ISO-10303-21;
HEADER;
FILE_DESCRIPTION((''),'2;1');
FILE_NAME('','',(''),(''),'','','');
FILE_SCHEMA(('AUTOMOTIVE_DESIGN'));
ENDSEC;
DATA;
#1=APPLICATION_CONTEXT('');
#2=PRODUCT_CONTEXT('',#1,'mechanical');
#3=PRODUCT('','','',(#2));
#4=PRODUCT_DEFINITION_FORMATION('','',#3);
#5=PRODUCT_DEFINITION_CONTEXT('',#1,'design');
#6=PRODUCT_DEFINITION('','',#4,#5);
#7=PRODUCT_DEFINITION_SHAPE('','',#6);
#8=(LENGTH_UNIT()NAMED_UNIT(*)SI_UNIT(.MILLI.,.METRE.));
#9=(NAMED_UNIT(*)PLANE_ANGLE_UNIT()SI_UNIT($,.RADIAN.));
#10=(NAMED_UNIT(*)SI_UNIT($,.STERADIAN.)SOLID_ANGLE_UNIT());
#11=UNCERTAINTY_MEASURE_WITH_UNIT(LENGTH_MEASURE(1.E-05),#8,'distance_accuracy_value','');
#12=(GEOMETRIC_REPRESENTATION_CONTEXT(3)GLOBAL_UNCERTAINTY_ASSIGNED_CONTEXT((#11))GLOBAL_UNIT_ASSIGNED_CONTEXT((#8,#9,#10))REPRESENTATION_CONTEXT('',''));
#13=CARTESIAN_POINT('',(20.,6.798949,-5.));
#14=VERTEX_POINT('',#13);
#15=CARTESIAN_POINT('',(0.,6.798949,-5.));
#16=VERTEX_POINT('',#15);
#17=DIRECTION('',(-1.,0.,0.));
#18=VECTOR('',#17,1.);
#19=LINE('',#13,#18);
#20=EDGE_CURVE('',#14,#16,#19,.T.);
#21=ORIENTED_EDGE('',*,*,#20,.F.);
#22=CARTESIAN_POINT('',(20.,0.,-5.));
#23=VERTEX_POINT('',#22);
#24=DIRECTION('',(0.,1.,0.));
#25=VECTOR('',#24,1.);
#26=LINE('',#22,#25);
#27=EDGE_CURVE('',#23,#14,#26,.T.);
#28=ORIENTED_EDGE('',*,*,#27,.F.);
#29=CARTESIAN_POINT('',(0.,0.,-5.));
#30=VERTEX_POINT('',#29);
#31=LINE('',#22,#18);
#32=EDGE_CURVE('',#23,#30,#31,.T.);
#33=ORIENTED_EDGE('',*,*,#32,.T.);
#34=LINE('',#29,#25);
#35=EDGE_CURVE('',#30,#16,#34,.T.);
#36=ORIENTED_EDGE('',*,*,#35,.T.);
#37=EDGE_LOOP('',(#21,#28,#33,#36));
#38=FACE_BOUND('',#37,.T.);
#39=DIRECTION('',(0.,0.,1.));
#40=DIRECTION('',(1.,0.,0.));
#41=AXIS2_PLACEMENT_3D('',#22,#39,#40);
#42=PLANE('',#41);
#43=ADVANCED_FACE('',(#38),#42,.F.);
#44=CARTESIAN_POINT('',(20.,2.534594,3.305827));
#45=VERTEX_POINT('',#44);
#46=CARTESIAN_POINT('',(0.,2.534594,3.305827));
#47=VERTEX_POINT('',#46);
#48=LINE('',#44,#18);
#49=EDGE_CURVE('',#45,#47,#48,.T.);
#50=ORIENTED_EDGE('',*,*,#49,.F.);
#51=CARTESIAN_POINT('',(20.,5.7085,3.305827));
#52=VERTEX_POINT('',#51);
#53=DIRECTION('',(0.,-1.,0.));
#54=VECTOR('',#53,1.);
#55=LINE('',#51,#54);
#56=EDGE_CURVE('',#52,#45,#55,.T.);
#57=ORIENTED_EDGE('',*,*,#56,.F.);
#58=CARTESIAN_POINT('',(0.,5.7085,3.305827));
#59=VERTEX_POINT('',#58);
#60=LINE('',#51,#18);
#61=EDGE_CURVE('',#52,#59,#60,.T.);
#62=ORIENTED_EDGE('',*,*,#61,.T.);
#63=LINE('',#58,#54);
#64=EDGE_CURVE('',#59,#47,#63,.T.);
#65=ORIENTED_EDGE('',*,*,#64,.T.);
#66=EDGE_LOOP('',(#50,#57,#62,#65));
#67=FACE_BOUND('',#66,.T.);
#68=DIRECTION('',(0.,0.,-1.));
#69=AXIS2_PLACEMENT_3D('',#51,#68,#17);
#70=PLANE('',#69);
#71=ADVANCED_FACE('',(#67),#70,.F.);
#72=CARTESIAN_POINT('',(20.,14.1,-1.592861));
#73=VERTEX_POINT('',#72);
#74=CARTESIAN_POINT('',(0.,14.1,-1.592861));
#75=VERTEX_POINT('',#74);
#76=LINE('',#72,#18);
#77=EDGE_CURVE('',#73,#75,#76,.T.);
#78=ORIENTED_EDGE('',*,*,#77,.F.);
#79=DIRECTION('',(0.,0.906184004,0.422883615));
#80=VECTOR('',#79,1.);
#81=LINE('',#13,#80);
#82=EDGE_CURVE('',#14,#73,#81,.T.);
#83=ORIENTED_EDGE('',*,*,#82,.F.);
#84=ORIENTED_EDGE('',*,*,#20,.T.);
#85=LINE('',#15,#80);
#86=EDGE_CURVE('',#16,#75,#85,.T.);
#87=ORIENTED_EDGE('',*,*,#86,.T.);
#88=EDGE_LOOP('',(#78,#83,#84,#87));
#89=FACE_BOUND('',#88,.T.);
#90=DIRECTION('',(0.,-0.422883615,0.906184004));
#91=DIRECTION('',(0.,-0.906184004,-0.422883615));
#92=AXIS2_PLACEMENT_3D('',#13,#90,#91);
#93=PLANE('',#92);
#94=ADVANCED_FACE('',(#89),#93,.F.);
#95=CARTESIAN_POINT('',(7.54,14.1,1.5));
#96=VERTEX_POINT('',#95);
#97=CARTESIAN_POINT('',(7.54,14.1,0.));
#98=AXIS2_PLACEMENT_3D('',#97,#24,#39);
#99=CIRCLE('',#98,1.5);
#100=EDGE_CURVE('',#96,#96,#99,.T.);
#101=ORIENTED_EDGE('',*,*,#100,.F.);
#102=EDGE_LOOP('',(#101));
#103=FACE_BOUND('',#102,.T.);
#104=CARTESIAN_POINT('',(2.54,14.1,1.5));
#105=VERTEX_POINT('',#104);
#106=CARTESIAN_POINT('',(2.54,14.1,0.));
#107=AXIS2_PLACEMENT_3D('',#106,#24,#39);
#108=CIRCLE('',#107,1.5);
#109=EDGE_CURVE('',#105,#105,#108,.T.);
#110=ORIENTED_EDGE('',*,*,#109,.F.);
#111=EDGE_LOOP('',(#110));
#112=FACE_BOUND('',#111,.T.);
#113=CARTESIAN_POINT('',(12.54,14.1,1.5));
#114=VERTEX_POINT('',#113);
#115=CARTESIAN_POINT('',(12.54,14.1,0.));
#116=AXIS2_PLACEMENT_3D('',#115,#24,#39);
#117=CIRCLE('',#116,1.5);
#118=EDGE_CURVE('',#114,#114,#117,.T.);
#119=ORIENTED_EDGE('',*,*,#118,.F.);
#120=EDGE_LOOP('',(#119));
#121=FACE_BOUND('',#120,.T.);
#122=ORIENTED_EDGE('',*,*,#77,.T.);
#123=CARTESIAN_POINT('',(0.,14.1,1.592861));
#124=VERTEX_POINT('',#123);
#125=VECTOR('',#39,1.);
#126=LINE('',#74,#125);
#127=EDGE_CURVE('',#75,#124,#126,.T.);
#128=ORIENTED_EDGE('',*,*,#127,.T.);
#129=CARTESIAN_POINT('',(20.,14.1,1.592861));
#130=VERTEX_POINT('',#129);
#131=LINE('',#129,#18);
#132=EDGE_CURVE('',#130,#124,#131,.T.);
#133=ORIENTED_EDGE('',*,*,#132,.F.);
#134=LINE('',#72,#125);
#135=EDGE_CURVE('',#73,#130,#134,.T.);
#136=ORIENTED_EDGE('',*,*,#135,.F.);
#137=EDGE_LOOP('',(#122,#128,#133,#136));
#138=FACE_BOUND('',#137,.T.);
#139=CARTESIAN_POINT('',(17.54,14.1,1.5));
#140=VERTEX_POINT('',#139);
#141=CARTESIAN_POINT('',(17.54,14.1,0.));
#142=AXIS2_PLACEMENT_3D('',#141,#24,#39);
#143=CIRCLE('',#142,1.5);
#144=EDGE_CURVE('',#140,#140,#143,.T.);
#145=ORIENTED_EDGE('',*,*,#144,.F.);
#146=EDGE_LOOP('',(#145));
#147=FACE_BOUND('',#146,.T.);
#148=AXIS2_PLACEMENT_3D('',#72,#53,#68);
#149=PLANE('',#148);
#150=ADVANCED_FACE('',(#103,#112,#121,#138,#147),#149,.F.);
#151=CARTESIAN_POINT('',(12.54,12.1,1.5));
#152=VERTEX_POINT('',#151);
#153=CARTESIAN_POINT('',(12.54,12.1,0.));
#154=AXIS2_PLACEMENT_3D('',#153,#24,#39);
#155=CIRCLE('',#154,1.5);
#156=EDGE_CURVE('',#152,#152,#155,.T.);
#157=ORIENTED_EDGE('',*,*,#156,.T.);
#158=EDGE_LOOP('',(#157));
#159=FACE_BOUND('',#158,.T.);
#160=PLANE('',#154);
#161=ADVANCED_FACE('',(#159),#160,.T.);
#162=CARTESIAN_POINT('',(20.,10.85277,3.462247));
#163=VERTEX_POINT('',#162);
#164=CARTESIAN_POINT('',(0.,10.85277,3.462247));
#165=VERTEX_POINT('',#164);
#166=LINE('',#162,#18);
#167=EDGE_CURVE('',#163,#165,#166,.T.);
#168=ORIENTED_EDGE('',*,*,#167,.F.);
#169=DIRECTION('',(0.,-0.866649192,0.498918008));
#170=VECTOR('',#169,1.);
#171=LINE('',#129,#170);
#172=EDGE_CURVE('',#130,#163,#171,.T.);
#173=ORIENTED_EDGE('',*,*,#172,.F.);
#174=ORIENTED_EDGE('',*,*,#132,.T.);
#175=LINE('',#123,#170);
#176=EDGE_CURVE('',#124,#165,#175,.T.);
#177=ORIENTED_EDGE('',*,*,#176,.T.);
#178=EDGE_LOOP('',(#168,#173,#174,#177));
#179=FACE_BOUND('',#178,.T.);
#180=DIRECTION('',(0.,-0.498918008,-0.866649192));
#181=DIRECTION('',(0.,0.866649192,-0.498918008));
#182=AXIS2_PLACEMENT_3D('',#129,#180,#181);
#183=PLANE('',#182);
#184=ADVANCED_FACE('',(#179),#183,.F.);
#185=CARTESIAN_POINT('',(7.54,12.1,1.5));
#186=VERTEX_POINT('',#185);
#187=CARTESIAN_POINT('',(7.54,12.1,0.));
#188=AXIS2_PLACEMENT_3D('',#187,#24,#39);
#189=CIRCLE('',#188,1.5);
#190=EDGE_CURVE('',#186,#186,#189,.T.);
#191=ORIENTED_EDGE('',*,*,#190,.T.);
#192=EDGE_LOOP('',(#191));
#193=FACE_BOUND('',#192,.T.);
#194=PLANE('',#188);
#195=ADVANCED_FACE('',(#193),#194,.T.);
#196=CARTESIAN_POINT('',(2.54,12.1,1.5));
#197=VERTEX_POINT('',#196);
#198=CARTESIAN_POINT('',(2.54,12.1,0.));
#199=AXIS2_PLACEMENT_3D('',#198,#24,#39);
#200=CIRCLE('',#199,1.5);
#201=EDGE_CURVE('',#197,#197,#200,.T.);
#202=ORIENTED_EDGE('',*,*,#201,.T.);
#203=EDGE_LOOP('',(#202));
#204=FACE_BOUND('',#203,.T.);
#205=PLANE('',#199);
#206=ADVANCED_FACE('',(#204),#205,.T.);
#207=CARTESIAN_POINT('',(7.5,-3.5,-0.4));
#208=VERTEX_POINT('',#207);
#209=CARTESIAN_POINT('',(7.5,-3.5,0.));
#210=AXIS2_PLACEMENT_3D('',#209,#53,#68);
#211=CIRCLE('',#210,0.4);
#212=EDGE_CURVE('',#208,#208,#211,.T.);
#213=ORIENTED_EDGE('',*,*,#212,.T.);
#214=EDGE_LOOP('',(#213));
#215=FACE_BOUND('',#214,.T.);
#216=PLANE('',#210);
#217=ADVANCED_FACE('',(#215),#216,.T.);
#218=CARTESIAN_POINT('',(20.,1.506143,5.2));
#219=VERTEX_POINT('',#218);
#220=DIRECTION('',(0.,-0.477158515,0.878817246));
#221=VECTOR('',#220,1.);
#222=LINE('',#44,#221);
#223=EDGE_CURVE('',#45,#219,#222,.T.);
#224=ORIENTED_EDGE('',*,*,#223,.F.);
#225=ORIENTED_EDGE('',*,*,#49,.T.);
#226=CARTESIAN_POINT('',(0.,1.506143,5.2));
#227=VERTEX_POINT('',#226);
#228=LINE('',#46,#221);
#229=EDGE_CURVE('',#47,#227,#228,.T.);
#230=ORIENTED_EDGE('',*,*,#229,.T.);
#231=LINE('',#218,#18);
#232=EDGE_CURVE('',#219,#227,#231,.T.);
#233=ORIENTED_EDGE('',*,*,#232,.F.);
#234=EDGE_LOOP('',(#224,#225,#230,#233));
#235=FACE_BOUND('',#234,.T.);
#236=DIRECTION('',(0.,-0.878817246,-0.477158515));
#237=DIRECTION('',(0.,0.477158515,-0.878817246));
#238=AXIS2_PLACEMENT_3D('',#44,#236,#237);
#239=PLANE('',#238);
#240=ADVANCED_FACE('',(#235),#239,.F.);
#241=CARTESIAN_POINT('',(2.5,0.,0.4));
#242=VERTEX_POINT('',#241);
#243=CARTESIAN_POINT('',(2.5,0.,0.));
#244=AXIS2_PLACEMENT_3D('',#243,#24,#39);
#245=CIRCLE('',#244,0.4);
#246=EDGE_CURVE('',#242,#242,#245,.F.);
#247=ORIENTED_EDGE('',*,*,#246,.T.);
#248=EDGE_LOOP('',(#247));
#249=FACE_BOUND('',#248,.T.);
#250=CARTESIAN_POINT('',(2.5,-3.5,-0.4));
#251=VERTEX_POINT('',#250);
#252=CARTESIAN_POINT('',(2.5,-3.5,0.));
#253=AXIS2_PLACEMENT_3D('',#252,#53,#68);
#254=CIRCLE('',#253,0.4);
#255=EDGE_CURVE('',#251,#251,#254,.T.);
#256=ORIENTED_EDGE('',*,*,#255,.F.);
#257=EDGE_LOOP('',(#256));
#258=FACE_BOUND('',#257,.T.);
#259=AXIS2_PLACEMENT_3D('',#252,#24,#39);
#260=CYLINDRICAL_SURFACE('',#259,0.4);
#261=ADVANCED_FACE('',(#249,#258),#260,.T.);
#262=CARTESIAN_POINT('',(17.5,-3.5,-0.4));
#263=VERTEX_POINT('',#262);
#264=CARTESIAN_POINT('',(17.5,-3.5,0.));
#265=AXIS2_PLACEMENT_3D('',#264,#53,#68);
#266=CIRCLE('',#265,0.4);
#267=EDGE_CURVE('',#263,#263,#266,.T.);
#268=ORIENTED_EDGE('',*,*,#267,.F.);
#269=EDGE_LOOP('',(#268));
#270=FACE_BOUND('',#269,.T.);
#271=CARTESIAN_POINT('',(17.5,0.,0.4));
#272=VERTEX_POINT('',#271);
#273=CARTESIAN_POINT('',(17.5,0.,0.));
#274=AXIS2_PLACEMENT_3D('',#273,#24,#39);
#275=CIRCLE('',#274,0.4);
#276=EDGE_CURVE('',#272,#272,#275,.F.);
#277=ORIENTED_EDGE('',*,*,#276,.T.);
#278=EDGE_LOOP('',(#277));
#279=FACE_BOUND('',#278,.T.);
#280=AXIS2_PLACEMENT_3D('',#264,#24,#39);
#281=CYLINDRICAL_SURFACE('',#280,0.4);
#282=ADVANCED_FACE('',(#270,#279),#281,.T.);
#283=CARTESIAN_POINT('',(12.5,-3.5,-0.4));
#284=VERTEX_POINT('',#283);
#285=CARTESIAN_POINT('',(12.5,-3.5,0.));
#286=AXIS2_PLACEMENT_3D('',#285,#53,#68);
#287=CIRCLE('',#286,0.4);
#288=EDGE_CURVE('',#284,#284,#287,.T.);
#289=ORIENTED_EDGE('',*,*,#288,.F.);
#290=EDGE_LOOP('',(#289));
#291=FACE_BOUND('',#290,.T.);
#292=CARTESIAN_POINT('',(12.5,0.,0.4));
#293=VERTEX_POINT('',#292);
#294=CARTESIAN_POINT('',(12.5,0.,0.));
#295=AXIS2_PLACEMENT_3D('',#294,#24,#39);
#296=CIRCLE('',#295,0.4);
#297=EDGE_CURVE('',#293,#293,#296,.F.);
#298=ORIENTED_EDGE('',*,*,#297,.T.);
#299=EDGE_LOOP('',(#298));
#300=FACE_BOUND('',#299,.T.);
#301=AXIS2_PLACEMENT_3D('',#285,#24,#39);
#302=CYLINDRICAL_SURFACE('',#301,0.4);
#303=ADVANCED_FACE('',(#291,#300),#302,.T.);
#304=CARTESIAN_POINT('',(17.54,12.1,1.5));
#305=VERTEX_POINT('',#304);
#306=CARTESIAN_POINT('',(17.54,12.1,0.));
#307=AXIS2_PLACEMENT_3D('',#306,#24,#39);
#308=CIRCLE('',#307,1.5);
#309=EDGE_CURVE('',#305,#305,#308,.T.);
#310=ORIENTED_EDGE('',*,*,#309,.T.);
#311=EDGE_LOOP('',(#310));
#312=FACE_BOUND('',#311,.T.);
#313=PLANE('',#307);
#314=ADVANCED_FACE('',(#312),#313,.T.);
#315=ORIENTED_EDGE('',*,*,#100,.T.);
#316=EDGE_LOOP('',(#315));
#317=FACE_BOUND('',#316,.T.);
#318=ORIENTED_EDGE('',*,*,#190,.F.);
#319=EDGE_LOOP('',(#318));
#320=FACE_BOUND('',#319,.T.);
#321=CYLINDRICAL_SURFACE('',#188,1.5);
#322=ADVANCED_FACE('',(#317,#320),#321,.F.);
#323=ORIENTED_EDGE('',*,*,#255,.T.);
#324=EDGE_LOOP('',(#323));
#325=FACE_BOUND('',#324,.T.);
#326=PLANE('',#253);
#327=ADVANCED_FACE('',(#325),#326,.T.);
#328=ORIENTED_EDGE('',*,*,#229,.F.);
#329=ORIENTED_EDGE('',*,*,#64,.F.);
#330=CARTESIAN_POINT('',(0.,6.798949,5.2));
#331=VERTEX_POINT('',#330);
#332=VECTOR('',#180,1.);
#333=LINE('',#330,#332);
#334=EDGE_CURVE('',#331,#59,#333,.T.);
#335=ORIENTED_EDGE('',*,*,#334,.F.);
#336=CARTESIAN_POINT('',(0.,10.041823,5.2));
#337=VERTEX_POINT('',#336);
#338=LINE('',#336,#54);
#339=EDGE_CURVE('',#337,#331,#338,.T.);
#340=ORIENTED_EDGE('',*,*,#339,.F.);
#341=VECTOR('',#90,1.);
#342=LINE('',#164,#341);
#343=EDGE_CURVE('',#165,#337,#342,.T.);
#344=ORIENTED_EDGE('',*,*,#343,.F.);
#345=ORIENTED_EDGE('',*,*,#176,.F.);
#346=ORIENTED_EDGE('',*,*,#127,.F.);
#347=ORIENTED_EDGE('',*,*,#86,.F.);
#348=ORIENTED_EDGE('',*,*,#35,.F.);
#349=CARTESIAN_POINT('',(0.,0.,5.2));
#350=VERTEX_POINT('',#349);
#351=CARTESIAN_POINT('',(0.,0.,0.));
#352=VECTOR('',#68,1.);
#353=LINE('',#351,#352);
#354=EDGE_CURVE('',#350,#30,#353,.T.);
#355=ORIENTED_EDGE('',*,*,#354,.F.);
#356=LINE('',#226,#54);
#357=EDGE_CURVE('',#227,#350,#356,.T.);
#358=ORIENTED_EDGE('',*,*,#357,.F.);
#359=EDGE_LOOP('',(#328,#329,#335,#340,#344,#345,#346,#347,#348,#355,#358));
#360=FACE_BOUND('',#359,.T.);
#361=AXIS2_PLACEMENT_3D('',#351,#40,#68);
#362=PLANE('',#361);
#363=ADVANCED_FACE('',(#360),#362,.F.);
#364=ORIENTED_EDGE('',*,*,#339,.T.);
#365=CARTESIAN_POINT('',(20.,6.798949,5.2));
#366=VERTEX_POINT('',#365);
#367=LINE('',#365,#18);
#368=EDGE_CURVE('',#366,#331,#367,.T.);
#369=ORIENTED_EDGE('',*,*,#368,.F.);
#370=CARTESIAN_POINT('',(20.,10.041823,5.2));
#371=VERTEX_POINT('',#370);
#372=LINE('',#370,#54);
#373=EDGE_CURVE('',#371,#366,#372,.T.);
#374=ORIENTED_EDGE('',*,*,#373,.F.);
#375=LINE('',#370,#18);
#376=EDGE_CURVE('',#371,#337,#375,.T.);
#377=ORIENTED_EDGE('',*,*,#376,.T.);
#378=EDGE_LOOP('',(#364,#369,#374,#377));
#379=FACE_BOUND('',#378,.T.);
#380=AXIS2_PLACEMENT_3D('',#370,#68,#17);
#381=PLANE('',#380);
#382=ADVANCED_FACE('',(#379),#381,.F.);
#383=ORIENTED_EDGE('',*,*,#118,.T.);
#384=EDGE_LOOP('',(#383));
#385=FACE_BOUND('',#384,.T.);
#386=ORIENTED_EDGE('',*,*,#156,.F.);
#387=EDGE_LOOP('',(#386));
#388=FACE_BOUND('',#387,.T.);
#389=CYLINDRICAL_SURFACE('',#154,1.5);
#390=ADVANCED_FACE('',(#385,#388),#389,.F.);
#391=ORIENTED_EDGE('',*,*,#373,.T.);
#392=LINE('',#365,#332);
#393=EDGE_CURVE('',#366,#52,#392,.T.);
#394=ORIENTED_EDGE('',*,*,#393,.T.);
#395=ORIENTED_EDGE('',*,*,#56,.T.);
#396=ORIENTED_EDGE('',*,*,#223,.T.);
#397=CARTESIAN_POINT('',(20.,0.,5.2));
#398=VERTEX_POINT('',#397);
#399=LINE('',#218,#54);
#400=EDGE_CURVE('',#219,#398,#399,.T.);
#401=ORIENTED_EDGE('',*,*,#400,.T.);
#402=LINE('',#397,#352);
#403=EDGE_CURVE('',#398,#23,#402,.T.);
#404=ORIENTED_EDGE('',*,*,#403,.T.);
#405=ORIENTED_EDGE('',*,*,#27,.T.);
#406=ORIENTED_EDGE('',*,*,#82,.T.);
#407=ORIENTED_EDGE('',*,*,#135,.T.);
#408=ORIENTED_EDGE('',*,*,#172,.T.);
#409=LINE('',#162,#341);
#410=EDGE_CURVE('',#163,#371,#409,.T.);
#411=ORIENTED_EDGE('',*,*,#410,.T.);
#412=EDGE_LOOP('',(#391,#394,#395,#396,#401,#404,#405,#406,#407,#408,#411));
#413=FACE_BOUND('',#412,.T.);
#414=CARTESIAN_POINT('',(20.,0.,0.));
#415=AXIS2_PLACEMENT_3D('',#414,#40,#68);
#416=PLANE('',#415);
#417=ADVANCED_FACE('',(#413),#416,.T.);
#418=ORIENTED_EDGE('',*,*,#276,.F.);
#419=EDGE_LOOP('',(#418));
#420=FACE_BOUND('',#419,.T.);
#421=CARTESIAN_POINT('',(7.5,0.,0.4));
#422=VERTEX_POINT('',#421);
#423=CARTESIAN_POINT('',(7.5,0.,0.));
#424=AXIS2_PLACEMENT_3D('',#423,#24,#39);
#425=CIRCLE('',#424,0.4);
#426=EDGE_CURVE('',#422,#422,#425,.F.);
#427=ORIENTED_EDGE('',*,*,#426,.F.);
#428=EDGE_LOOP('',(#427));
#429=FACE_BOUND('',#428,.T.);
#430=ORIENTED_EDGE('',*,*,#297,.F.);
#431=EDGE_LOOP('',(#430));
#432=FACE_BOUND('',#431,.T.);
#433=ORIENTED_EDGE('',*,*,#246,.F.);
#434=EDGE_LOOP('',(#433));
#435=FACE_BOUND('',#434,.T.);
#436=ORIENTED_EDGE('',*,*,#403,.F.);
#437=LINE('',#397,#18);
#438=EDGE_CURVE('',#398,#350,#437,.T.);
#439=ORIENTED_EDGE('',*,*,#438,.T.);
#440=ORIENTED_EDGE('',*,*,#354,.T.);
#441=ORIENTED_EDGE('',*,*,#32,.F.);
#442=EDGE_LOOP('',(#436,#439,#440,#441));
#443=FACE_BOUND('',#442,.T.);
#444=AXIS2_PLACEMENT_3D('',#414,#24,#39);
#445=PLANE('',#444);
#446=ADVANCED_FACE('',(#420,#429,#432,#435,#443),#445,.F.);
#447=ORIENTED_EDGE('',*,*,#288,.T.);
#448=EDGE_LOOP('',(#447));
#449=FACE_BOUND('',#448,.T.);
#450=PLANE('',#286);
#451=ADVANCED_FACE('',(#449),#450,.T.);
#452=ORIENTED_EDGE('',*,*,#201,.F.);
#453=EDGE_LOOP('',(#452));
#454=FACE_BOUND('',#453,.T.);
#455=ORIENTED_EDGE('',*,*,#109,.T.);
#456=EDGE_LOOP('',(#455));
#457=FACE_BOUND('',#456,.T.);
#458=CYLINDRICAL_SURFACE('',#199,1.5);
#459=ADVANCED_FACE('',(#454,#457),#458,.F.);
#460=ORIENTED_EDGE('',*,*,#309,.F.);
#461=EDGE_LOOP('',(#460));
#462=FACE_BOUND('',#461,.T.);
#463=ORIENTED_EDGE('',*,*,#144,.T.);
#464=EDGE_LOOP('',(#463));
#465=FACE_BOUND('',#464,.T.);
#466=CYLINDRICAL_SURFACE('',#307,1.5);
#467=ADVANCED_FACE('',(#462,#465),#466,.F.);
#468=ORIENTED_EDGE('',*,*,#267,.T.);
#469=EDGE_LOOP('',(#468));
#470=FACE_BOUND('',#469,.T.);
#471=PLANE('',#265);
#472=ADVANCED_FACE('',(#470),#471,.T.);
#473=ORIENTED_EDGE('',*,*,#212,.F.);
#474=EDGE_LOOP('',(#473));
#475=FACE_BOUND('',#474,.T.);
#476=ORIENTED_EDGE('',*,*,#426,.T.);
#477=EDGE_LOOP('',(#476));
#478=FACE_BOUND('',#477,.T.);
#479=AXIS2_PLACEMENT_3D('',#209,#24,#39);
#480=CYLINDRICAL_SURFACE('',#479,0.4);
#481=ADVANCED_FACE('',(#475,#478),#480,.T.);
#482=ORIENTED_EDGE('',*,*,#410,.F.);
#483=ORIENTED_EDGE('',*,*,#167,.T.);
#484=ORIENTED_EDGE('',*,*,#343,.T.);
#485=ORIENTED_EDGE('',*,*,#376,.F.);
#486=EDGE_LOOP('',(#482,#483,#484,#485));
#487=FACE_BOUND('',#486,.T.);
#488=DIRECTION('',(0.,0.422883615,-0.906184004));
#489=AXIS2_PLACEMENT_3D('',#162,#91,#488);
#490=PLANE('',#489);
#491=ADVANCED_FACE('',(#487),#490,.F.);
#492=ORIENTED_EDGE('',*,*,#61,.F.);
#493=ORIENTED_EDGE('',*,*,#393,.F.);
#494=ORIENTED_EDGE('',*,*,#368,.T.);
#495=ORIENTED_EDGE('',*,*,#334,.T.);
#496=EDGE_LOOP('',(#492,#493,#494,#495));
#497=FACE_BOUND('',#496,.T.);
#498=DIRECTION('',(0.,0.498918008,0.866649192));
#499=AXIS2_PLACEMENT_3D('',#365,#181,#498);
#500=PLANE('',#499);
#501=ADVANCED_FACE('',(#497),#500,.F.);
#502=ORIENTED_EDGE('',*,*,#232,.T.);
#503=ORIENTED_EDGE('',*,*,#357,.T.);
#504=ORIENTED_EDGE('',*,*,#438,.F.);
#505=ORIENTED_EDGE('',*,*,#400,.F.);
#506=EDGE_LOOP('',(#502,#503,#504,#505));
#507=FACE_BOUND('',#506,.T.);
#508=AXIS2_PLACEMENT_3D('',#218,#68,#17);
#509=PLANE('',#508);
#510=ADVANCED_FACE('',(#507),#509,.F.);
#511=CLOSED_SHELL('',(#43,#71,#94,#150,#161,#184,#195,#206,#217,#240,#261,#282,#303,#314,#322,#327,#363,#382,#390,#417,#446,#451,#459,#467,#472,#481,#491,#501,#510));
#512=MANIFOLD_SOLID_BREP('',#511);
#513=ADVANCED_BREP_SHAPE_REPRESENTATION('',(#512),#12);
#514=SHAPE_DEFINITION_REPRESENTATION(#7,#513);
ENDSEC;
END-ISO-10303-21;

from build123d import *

# Parameters (mm, degrees)
EXTRUDE_1_DEPTH     = 20
SKETCH_2_R          = 1.5
CUT_EXTRUDE_1_DEPTH = 2
SKETCH_3_R          = 0.4
EXTRUDE_2_DEPTH     = 3.5


with BuildPart() as part:
    # 草图1 → 凸台-拉伸1 (new body)
    with BuildSketch(Plane(origin=(0, 0, 0), x_dir=(0, 0, -1), z_dir=(1, 0, 0))):
        Polygon((0, 0), (5, 0), (5, 6.798949449), (1.592861235, 14.1), (-1.592861235, 14.1), (-3.462246636, 10.852770352), (-5.2, 10.041823104), (-5.2, 6.798949449), (-3.305827132, 5.708500208), (-3.305827132, 2.534594125), (-5.2, 1.506142854), (-5.2, 0), align=None)
    extrude(amount=EXTRUDE_1_DEPTH)

    # 草图2 → 切除-拉伸1 (cut)
    with BuildSketch(Plane(origin=(0, 14.1, 0), x_dir=(1, 0, 0), z_dir=(0, 1, 0))):
        with Locations(Location((2.54, 0, 0), (0, 0, 270))):
            Circle(SKETCH_2_R)
        with Locations(Location((7.54, 0, 0), (0, 0, 270))):
            Circle(SKETCH_2_R)
        with Locations(Location((12.54, 0, 0), (0, 0, 270))):
            Circle(SKETCH_2_R)
        with Locations(Location((17.54, 0, 0), (0, 0, 270))):
            Circle(SKETCH_2_R)
    extrude(amount=-CUT_EXTRUDE_1_DEPTH, mode=Mode.SUBTRACT)

    # 草图3 → 凸台-拉伸2 (add)
    with BuildSketch(Plane.XZ):
        with Locations(Location((2.5, 0, 0), (0, 0, 90))):
            Circle(SKETCH_3_R)
        with Locations(Location((7.5, 0, 0), (0, 0, 90))):
            Circle(SKETCH_3_R)
        with Locations(Location((12.5, 0, 0), (0, 0, 90))):
            Circle(SKETCH_3_R)
        with Locations(Location((17.5, 0, 0), (0, 0, 90))):
            Circle(SKETCH_3_R)
    extrude(amount=EXTRUDE_2_DEPTH)


solid = part.part
